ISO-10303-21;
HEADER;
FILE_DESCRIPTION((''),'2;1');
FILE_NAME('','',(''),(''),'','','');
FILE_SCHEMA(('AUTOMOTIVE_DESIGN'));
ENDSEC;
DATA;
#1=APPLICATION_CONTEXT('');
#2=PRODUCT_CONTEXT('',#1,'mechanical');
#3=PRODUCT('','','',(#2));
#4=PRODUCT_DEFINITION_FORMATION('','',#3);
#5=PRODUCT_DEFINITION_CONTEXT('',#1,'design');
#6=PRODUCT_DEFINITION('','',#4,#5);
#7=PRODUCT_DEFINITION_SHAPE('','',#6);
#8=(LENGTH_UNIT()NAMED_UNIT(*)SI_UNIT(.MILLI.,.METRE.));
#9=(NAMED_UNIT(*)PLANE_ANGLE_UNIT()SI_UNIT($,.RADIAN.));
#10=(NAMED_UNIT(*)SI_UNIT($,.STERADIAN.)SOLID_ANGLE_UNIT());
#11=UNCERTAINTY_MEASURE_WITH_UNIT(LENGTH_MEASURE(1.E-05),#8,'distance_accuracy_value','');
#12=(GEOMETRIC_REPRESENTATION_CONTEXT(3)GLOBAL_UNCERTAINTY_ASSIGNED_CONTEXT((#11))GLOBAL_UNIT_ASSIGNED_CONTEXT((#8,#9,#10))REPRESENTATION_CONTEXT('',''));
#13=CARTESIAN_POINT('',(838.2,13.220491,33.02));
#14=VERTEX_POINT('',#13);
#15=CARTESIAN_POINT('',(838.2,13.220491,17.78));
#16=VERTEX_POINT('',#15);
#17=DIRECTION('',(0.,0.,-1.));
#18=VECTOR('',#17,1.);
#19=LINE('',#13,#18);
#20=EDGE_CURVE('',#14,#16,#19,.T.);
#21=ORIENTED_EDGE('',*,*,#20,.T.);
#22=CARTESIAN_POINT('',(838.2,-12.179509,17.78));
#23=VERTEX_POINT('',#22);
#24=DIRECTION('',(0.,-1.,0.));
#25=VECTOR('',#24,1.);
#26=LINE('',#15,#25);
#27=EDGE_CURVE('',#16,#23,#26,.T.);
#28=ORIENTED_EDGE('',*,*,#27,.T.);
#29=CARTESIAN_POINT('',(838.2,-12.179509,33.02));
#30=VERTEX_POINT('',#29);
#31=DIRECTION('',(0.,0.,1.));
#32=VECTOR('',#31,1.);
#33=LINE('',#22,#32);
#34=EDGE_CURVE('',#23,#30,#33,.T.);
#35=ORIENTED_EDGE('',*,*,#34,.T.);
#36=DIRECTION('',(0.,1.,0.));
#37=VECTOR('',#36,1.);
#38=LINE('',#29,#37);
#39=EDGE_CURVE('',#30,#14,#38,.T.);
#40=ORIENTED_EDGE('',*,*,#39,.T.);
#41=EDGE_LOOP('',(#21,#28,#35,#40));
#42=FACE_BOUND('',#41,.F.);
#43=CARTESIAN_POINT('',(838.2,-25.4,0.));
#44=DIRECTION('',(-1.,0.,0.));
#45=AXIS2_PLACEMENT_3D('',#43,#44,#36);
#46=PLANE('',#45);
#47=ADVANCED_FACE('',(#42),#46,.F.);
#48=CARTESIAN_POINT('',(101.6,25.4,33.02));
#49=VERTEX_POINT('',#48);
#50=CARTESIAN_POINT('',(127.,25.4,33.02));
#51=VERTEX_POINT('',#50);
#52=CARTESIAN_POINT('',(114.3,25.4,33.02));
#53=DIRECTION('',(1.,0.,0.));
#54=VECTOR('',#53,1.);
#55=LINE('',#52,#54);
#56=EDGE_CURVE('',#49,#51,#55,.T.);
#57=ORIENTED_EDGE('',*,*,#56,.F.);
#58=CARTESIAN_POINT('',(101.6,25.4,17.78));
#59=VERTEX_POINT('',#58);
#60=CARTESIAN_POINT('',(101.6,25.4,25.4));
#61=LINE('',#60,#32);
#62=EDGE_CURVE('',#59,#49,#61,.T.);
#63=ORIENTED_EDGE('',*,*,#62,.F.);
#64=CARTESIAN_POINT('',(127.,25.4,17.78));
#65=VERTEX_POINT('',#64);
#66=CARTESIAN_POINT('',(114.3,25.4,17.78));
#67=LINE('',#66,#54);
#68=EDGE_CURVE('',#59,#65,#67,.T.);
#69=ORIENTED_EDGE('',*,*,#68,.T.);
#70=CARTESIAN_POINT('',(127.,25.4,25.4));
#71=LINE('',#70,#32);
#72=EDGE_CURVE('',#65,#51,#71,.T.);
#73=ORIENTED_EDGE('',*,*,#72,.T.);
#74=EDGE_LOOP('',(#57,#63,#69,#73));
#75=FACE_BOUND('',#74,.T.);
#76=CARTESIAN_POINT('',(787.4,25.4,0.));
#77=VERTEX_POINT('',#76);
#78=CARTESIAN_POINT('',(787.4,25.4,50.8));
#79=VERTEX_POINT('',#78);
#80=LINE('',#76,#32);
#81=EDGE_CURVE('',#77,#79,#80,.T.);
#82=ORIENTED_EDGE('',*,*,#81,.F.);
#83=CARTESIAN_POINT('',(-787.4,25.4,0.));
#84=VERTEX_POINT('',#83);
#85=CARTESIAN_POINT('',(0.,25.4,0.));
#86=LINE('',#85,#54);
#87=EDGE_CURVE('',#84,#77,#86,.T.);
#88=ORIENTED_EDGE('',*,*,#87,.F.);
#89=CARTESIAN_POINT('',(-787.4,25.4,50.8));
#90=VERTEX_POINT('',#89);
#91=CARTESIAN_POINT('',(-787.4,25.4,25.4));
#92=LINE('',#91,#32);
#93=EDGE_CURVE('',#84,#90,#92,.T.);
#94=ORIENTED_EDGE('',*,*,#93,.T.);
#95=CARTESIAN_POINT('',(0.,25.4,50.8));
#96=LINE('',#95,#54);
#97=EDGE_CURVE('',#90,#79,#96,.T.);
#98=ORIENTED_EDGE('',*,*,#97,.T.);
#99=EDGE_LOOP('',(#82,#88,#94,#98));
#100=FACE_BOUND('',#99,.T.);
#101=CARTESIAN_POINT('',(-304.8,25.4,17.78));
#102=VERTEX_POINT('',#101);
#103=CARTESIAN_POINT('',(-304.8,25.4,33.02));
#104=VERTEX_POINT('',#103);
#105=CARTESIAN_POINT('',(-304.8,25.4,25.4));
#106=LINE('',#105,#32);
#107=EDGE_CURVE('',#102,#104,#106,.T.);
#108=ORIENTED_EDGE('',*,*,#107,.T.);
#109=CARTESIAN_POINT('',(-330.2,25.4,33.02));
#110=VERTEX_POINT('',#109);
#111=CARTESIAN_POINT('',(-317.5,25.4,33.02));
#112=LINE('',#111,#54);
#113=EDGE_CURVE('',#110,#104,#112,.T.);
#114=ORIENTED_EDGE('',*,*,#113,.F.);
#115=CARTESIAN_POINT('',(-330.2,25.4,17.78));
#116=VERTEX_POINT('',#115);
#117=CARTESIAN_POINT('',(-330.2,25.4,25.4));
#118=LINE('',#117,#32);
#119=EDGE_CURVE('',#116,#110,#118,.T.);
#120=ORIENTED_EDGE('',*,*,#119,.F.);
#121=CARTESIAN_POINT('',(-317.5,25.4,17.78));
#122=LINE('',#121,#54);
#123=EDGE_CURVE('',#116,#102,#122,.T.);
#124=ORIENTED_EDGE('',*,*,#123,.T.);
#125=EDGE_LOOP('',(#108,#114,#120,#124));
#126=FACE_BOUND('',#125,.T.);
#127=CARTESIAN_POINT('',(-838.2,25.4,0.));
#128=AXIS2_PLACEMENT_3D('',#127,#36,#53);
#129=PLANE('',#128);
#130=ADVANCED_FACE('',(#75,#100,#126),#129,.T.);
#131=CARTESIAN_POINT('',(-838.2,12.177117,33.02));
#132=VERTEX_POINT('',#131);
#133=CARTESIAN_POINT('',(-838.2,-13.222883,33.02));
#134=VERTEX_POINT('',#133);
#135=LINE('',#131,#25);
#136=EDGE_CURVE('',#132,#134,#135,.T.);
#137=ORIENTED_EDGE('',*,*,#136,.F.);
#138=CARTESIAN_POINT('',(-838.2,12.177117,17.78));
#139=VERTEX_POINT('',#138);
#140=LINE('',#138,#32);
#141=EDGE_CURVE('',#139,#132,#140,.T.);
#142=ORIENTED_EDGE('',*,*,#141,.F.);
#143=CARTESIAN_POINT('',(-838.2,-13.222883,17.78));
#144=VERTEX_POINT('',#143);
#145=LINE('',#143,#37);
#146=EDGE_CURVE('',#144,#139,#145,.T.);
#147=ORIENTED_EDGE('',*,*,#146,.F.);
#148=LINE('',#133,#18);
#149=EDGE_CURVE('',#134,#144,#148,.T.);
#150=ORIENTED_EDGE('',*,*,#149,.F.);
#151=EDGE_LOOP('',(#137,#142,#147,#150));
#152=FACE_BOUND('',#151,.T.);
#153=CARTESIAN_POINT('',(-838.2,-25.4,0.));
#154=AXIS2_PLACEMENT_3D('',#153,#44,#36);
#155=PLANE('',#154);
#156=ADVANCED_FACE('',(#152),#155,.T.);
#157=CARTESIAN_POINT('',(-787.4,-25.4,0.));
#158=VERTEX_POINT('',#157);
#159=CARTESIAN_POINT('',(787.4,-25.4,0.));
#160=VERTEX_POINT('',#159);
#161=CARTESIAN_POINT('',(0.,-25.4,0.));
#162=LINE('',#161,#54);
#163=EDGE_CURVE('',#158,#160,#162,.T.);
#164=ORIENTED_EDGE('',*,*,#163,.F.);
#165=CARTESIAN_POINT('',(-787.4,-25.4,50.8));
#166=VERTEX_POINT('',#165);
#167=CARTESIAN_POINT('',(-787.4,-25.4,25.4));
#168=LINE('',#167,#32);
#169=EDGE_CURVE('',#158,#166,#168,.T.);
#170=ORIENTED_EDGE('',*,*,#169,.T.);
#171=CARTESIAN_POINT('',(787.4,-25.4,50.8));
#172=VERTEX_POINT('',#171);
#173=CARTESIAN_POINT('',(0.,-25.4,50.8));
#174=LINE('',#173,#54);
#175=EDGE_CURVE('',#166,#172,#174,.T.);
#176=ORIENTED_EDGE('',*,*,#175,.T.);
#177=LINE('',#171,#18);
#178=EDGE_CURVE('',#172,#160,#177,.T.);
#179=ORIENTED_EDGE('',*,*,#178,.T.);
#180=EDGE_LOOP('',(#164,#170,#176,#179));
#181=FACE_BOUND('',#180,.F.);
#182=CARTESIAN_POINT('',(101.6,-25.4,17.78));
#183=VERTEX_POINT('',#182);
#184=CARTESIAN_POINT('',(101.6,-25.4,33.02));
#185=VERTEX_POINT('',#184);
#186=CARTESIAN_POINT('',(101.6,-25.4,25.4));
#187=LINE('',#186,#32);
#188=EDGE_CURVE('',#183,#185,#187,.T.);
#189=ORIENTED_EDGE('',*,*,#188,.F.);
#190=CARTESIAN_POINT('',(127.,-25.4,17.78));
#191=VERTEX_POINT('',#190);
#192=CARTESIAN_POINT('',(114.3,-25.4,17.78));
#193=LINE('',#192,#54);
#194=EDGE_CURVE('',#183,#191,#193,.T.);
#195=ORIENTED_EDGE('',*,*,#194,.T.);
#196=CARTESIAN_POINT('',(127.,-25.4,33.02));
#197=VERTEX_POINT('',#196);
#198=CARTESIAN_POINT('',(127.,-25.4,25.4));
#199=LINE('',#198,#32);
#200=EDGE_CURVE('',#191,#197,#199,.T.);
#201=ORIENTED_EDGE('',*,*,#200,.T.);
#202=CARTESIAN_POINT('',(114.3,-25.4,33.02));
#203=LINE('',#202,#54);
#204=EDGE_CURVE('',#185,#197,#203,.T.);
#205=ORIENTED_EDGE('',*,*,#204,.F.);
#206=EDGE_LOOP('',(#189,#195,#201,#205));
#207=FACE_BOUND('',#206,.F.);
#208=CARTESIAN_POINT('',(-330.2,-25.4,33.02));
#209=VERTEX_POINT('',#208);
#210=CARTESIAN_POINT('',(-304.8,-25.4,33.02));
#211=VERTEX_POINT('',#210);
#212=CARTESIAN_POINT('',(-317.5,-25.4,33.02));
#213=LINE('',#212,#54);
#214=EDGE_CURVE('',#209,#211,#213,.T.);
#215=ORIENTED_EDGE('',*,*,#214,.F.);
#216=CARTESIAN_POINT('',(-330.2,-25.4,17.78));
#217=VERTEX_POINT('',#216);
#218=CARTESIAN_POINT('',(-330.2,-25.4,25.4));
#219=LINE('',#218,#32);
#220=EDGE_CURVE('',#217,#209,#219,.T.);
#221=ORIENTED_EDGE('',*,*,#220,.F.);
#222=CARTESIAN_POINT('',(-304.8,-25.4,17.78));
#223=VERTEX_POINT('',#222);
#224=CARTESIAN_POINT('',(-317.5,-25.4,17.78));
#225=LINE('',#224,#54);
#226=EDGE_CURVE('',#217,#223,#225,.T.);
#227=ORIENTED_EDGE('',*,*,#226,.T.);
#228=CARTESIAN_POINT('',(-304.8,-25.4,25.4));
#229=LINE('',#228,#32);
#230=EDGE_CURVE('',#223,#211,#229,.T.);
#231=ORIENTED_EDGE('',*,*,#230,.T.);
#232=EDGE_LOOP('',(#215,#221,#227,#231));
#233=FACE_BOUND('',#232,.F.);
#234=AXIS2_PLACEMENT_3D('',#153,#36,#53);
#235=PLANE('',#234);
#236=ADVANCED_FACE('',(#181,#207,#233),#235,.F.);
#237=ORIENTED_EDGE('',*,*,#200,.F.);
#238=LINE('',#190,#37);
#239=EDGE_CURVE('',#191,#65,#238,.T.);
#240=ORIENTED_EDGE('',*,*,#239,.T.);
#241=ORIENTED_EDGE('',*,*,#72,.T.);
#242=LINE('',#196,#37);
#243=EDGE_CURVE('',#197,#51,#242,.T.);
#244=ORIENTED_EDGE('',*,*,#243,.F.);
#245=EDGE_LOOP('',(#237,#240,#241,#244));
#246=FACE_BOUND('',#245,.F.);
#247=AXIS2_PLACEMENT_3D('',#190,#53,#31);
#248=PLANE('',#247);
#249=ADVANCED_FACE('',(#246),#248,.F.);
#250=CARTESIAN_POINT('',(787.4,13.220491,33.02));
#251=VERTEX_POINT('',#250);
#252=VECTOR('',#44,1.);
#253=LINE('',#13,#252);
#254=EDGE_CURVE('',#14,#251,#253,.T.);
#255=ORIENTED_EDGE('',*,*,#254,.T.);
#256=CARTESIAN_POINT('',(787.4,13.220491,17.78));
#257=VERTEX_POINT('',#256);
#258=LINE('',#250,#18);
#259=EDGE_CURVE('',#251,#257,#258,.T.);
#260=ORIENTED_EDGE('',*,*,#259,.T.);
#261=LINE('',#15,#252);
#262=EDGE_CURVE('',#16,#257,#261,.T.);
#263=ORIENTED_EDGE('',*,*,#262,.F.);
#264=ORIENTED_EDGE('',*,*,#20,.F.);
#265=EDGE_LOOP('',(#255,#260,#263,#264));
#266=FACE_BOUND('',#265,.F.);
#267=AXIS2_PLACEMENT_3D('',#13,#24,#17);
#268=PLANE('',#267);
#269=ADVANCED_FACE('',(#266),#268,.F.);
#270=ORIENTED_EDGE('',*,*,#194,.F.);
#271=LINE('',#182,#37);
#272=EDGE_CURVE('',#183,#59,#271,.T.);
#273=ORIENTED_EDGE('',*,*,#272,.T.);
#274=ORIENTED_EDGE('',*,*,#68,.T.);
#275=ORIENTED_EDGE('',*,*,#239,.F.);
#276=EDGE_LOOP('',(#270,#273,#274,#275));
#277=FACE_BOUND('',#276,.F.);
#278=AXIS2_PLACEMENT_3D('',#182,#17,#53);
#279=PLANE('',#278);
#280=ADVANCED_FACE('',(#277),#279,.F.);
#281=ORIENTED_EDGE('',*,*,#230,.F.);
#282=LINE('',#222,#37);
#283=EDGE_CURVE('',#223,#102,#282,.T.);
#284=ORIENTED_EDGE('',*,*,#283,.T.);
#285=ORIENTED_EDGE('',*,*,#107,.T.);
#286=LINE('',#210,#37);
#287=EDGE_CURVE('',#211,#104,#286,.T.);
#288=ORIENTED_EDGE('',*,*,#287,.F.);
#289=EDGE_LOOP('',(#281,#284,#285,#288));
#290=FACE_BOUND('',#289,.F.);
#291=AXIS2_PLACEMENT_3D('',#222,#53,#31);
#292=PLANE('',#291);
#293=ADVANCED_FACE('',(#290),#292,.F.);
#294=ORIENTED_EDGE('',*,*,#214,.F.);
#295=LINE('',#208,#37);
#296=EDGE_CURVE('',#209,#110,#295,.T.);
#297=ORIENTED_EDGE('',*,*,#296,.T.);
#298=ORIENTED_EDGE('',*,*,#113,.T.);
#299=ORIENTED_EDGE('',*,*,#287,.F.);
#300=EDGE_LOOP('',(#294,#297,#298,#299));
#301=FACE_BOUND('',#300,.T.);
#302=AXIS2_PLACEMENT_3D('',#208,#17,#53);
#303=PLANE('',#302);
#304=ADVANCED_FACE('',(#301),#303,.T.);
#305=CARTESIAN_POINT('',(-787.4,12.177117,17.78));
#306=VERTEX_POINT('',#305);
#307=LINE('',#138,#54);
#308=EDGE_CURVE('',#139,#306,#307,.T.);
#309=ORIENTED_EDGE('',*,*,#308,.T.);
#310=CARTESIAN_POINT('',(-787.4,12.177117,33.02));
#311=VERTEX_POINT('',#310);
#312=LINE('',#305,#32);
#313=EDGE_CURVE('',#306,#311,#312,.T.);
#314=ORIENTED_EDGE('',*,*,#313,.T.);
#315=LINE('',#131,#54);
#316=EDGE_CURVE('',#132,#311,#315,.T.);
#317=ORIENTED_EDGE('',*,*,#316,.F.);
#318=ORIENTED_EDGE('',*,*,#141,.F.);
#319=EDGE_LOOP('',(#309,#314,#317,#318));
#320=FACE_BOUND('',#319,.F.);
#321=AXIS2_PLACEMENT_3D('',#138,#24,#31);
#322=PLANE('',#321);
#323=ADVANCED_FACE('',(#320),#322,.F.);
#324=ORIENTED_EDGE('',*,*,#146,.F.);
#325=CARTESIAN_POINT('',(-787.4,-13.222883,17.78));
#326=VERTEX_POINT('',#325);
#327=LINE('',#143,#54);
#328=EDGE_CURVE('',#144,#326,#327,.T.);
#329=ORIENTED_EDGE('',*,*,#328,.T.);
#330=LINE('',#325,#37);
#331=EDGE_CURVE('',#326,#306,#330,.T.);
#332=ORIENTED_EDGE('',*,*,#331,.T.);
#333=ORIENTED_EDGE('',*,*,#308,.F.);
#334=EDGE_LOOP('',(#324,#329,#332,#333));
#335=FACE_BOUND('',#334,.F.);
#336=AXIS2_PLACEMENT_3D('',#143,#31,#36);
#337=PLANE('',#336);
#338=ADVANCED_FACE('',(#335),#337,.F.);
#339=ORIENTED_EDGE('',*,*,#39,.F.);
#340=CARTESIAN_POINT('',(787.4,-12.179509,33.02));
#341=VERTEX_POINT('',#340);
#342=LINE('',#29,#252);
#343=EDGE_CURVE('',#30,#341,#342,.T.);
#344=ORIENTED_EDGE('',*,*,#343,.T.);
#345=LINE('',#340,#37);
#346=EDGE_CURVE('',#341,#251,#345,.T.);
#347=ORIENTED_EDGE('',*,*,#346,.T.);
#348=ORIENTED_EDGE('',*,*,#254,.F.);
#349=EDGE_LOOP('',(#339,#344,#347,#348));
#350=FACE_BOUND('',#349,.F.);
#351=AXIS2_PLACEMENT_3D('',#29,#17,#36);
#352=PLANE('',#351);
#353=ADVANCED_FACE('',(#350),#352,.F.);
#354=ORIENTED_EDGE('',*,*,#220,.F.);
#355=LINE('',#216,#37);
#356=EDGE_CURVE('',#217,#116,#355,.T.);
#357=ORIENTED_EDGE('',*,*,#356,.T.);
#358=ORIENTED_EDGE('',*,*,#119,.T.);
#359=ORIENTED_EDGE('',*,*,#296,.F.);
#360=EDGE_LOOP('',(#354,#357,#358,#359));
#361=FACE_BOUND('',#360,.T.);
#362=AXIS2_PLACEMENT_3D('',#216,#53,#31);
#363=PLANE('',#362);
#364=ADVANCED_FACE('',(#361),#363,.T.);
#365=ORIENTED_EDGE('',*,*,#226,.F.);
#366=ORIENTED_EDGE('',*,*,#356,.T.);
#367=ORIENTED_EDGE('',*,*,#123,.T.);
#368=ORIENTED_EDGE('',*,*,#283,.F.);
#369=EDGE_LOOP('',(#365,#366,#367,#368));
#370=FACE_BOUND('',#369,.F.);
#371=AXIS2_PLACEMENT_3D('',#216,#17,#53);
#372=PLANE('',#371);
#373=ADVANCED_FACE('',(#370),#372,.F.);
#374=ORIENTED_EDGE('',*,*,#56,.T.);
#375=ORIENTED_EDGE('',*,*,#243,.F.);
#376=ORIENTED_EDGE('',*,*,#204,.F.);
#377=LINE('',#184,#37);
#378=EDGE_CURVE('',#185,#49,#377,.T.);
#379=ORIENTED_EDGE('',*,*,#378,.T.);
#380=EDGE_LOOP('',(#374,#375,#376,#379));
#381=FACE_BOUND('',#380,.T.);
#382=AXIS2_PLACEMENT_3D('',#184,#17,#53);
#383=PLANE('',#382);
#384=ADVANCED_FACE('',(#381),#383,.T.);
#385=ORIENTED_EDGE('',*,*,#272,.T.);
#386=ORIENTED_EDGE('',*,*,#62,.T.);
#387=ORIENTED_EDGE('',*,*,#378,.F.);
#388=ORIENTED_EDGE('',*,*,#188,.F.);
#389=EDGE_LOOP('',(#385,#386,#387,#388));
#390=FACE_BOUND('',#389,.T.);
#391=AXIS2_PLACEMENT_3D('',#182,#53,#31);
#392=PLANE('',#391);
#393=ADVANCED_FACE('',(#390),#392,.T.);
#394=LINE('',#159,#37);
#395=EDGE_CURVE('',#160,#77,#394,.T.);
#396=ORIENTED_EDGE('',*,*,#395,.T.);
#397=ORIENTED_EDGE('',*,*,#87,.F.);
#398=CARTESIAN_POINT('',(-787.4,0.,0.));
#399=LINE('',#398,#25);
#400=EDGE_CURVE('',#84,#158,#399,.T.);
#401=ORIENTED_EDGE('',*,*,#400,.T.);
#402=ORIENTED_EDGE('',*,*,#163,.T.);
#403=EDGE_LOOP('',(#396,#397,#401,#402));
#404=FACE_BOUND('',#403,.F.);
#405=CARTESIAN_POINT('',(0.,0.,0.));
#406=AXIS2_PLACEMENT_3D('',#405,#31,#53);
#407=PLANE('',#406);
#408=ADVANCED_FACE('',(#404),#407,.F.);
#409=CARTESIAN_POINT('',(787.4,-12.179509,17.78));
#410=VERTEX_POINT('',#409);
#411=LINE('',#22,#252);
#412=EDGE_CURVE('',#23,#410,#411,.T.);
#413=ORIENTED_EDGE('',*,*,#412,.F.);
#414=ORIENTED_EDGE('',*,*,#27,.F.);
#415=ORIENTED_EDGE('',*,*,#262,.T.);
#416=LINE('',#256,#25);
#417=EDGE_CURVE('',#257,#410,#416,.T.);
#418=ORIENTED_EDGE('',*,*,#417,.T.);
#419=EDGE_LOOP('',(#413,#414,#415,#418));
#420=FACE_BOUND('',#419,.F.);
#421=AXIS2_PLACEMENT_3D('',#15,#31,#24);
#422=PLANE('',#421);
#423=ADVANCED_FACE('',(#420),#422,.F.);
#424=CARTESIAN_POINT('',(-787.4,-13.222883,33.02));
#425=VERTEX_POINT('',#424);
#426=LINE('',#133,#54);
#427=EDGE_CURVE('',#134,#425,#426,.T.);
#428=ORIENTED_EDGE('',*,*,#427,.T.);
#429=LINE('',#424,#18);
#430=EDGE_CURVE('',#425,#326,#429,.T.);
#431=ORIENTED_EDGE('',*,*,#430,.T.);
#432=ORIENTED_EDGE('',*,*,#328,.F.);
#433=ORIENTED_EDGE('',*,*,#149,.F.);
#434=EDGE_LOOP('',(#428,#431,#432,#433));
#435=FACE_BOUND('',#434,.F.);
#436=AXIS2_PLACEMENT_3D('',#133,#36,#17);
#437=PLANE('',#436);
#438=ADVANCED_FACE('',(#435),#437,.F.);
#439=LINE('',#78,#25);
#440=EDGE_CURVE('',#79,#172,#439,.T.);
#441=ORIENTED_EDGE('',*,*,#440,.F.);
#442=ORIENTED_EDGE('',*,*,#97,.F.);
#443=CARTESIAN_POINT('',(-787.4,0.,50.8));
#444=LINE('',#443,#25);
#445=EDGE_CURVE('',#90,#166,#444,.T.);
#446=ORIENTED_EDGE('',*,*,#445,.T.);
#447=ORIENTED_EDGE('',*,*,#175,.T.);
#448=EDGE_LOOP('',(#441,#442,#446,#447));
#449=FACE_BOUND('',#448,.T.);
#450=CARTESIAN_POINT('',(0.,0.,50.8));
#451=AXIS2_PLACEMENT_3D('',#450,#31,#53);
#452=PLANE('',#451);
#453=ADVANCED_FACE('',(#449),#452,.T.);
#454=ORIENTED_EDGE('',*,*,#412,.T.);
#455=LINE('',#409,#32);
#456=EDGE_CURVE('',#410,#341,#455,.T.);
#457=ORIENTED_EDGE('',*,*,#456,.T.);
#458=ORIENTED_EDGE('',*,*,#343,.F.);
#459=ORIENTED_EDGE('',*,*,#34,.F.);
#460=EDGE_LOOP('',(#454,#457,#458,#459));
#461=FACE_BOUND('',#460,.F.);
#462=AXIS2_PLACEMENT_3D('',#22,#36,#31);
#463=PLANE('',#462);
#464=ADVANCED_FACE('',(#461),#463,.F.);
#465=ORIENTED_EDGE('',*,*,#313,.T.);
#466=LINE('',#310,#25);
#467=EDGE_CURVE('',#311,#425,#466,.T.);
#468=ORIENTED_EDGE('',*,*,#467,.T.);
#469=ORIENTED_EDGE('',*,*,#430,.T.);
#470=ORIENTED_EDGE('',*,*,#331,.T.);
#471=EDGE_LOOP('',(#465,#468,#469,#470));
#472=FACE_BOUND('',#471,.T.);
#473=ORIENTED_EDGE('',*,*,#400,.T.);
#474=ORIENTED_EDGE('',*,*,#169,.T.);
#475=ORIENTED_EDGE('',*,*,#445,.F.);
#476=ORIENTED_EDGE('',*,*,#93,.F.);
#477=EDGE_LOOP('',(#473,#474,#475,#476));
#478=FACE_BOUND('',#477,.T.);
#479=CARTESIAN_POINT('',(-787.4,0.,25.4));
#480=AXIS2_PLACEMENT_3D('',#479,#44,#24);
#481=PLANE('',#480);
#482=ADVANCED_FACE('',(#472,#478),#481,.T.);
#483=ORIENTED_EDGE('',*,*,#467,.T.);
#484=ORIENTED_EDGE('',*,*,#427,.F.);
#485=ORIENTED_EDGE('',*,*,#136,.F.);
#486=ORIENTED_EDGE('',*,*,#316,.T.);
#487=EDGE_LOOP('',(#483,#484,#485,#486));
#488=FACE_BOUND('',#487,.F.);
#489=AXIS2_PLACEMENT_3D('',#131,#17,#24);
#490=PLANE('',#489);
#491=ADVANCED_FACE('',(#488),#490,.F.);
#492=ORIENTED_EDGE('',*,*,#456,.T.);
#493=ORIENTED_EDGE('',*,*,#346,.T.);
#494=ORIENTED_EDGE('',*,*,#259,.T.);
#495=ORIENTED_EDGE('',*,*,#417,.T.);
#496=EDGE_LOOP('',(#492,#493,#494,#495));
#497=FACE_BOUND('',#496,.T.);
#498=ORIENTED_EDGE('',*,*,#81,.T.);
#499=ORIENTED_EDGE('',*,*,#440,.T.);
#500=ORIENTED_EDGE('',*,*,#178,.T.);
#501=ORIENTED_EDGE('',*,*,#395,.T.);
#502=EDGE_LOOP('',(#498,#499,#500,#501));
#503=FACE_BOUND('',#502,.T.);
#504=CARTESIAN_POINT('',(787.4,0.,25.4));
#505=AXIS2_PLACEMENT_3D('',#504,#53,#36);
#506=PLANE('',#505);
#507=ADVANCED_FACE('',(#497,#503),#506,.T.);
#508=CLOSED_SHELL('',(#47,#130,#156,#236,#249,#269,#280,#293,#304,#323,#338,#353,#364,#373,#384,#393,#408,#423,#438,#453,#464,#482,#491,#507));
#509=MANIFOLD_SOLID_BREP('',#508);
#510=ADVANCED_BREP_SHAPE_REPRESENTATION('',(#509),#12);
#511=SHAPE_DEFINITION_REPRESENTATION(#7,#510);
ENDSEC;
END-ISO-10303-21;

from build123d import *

# Parameters (mm, degrees)
F0_W     = 1676.4
F0_H     = 50.8
F1_DEPTH = 50.8
F2_W     = 50.8
F2_H     = 50.8
F3_DEPTH = 50.8
F5_DEPTH = 50.8
F6_W     = 25.4
F6_H     = 15.24
F7_DEPTH = 50.8
F8_W     = 25.4
F8_H     = 15.24
F9_DEPTH = 50.8


with BuildPart() as f1:
    # F0 (on Top) → F1 (new body)
    with BuildSketch(Plane.XY):
        Rectangle(F0_W, F0_H)
    extrude(amount=F1_DEPTH)

    # F2 (on face) → F3 (cut)
    with BuildSketch(Plane(origin=(-838.2, 0, 0), x_dir=(0, -1, 0), z_dir=(-1, 0, 0))):
        with Locations((0, 25.4)):
            Rectangle(F2_W, F2_H)
        Polygon((-12.177117, 33.02), (0, 33.02), (13.222883, 33.02), (13.222883, 17.78), (-12.177117, 17.78), align=None, mode=Mode.SUBTRACT)
    extrude(amount=-F3_DEPTH, mode=Mode.SUBTRACT)

    # F4 (on face) → F5 (cut)
    with BuildSketch(Plane.YZ.offset(838.2)):
        Polygon((25.4, 50.8), (0, 50.8), (-25.4, 50.8), (-25.4, 0), (25.4, 0), align=None)
        Polygon((-12.179509, 33.02), (0, 33.02), (13.220491, 33.02), (13.220491, 17.78), (-12.179509, 17.78), align=None, mode=Mode.SUBTRACT)
    extrude(amount=-F5_DEPTH, mode=Mode.SUBTRACT)

    # F6 (on face) → F7 (cut)
    with BuildSketch(Plane.XZ.offset(25.4)):
        with Locations((-317.5, 25.4)):
            Rectangle(F6_W, F6_H)
    extrude(amount=-F7_DEPTH, mode=Mode.SUBTRACT)

    # F8 (on face) → F9 (cut)
    with BuildSketch(Plane.XZ.offset(25.4)):
        with Locations((114.3, 25.4)):
            Rectangle(F8_W, F8_H)
    extrude(amount=-F9_DEPTH, mode=Mode.SUBTRACT)


solid = f1.part
